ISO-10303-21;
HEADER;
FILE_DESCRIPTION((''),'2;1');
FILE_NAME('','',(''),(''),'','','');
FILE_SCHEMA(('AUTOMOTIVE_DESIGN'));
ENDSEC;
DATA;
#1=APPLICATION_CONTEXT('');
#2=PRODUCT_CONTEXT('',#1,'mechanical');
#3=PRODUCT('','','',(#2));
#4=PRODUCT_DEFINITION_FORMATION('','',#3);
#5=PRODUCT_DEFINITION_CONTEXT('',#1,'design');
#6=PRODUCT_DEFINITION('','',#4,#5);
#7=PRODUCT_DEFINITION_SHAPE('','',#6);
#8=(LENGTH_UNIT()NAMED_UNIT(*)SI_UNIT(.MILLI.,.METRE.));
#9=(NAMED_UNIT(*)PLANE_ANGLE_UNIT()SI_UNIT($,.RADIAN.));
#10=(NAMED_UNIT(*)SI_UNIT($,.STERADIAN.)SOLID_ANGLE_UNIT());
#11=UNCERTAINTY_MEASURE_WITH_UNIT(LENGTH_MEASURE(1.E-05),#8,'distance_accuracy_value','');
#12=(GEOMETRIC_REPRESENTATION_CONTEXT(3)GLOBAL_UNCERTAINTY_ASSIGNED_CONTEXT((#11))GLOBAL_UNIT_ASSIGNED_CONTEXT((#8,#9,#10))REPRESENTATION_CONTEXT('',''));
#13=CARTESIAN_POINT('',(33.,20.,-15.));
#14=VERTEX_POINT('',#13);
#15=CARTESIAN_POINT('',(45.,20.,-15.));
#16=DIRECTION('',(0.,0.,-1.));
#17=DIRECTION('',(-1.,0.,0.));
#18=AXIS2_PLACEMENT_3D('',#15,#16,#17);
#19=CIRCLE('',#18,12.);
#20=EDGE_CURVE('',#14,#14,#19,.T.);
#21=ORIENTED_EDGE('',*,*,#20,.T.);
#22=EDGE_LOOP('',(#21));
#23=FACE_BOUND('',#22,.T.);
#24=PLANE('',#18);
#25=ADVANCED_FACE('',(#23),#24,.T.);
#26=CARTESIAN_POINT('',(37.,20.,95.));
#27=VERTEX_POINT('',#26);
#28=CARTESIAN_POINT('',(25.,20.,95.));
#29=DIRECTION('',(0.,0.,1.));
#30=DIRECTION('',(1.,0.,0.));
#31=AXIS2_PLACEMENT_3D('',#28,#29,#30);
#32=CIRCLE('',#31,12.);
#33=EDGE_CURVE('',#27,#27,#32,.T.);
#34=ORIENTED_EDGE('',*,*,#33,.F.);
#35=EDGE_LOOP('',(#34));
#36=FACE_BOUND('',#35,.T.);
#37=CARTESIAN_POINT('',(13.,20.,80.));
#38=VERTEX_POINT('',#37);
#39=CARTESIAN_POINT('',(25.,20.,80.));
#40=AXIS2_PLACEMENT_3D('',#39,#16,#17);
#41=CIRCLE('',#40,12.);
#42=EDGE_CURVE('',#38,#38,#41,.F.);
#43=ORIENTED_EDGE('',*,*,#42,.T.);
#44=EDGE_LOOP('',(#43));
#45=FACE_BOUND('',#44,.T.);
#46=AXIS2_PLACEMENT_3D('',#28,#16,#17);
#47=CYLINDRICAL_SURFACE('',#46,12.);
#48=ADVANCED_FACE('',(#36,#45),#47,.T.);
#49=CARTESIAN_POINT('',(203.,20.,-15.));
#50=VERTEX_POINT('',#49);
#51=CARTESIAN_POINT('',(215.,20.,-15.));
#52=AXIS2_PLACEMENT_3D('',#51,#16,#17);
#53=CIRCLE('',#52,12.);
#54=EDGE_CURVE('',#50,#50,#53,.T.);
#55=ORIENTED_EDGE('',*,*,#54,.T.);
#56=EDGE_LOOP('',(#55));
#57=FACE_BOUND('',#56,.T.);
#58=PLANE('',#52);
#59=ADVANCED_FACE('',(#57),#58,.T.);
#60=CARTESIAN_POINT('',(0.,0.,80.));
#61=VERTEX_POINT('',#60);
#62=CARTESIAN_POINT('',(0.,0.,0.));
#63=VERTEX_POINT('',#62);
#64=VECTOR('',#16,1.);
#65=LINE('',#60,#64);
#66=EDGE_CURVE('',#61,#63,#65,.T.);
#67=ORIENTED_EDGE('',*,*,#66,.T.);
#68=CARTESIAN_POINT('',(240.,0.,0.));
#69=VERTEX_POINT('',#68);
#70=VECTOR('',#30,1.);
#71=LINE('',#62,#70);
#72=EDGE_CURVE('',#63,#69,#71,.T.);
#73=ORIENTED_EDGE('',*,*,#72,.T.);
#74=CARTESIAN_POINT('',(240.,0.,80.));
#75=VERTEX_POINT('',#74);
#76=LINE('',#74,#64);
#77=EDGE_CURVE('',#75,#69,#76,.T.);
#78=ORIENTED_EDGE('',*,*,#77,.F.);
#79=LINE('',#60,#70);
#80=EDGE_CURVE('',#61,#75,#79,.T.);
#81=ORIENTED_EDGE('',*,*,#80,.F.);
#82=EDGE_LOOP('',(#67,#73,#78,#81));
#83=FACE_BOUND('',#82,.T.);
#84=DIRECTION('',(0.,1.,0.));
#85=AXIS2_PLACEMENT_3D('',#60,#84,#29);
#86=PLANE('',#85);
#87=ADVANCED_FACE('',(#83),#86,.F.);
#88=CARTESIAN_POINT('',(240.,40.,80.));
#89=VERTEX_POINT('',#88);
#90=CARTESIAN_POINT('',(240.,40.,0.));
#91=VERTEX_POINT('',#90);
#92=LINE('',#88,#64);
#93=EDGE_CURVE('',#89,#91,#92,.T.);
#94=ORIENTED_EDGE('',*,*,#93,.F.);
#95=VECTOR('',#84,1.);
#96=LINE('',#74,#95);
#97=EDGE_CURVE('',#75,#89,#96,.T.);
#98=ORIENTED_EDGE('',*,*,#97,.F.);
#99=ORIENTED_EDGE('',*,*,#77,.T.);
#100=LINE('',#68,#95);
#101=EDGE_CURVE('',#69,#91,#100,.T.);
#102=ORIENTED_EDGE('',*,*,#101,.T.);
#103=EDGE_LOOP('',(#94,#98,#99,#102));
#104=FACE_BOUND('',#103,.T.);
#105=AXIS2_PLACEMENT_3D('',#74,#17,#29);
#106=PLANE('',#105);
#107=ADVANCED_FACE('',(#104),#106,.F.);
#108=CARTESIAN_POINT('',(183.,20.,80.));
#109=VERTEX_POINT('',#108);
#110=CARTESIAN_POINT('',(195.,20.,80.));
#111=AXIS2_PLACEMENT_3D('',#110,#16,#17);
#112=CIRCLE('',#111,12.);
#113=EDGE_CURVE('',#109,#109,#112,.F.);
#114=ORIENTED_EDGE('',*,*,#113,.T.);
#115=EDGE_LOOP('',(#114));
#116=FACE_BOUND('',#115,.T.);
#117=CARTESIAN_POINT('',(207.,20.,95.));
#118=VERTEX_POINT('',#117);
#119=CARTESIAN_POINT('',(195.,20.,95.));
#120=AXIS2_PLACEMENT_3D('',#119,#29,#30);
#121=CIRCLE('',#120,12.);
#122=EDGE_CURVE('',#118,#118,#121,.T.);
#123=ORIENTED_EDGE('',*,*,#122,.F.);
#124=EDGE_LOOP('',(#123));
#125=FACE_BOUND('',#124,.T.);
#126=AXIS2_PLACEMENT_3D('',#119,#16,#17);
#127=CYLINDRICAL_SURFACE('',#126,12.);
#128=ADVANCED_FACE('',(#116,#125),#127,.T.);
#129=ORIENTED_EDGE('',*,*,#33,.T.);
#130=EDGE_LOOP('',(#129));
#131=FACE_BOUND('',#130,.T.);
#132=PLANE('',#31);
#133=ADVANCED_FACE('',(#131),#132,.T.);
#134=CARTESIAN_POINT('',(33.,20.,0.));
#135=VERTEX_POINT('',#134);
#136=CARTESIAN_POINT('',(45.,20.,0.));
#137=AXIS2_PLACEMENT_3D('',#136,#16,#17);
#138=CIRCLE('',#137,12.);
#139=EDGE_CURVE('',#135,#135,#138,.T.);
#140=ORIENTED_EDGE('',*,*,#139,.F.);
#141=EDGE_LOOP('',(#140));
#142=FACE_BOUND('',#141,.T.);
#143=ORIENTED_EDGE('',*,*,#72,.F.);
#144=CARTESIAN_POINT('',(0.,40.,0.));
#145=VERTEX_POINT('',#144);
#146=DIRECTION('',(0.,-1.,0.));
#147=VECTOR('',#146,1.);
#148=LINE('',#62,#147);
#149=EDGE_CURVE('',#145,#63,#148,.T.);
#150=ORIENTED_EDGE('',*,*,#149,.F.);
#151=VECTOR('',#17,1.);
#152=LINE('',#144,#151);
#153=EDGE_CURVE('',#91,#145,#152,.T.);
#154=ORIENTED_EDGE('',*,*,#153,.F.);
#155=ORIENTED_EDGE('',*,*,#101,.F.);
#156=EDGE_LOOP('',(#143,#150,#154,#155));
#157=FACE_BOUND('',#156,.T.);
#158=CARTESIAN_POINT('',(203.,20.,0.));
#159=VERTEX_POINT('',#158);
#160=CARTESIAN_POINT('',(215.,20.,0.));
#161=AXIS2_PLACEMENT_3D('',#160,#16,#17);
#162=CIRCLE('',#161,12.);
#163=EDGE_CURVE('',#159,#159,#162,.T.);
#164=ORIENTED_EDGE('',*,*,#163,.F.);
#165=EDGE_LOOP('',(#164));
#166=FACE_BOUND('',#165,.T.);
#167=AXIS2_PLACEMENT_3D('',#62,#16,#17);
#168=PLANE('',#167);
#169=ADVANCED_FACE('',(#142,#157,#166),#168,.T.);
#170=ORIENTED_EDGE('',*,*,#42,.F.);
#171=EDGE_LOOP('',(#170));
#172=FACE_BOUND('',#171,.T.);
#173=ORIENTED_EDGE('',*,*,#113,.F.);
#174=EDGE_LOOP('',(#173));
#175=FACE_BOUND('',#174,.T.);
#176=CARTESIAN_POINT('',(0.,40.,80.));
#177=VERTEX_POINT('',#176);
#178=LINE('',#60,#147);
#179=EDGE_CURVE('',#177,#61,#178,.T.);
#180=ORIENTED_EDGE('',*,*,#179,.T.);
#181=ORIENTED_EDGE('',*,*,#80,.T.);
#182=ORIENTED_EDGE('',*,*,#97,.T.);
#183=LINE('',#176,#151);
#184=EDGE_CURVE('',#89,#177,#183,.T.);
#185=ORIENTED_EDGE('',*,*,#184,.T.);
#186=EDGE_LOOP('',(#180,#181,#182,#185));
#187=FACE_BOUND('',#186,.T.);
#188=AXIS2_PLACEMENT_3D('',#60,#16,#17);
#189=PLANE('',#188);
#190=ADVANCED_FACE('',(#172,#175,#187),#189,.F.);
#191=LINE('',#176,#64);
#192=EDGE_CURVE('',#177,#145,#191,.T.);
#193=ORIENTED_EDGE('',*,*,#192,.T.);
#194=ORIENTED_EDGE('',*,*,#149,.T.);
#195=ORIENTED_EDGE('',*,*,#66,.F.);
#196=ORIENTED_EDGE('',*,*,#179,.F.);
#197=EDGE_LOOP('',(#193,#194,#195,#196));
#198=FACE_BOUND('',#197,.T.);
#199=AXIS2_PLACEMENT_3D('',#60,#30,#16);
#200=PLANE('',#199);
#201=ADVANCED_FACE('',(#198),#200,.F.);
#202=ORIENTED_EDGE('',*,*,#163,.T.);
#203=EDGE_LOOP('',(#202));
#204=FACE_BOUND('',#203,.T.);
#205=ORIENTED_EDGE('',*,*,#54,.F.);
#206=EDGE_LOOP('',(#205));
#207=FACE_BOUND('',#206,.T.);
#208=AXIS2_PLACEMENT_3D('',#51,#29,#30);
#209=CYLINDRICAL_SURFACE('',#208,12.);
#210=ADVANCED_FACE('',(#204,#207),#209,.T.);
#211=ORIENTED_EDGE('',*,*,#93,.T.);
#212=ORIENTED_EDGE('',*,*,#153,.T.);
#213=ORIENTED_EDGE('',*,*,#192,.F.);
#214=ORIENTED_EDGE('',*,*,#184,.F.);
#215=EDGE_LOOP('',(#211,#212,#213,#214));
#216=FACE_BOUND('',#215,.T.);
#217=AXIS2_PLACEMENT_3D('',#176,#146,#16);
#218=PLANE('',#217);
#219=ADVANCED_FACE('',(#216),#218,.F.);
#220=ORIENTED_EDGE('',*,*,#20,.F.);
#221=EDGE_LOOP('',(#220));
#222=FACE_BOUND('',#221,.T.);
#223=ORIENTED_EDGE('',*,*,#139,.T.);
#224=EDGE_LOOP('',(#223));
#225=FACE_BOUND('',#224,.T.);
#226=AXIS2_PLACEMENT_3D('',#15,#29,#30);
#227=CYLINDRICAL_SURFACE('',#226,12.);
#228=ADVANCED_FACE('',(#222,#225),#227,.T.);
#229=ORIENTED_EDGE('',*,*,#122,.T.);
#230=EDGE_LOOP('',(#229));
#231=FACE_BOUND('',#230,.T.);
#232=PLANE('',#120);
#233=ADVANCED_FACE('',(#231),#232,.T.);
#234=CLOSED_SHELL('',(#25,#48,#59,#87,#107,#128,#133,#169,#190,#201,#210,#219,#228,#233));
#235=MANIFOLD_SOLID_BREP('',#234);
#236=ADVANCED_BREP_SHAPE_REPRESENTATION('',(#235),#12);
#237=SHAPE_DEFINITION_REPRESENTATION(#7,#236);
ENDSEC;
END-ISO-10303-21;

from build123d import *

# Parameters (mm, degrees)
SKETCH_1_W      = 240
SKETCH_1_H      = 40
EXTRUDE_1_DEPTH = 80
SKETCH_2_R      = 12
EXTRUDE_2_DEPTH = 15
SKETCH_3_R      = 12
EXTRUDE_3_DEPTH = 15


with BuildPart() as part:
    # 草图1 → 凸台-拉伸1 (new body)
    with BuildSketch(Plane.XY):
        with Locations((120, 20)):
            Rectangle(SKETCH_1_W, SKETCH_1_H)
    extrude(amount=EXTRUDE_1_DEPTH)

    # 草图2 → 凸台-拉伸2 (add)
    with BuildSketch(Plane(origin=(0, 0, 0), x_dir=(-1, 0, 0), z_dir=(0, 0, -1))):
        with Locations((-215, 20)):
            Circle(SKETCH_2_R)
        with Locations((-45, 20)):
            Circle(SKETCH_2_R)
    extrude(amount=EXTRUDE_2_DEPTH)

    # 草图3 → 凸台-拉伸3 (add)
    with BuildSketch(Plane.XY.offset(80)):
        with Locations(Location((25, 20, 0), (0, 0, 180))):
            Circle(SKETCH_3_R)
        with Locations(Location((195, 20, 0), (0, 0, 180))):
            Circle(SKETCH_3_R)
    extrude(amount=EXTRUDE_3_DEPTH)


solid = part.part
